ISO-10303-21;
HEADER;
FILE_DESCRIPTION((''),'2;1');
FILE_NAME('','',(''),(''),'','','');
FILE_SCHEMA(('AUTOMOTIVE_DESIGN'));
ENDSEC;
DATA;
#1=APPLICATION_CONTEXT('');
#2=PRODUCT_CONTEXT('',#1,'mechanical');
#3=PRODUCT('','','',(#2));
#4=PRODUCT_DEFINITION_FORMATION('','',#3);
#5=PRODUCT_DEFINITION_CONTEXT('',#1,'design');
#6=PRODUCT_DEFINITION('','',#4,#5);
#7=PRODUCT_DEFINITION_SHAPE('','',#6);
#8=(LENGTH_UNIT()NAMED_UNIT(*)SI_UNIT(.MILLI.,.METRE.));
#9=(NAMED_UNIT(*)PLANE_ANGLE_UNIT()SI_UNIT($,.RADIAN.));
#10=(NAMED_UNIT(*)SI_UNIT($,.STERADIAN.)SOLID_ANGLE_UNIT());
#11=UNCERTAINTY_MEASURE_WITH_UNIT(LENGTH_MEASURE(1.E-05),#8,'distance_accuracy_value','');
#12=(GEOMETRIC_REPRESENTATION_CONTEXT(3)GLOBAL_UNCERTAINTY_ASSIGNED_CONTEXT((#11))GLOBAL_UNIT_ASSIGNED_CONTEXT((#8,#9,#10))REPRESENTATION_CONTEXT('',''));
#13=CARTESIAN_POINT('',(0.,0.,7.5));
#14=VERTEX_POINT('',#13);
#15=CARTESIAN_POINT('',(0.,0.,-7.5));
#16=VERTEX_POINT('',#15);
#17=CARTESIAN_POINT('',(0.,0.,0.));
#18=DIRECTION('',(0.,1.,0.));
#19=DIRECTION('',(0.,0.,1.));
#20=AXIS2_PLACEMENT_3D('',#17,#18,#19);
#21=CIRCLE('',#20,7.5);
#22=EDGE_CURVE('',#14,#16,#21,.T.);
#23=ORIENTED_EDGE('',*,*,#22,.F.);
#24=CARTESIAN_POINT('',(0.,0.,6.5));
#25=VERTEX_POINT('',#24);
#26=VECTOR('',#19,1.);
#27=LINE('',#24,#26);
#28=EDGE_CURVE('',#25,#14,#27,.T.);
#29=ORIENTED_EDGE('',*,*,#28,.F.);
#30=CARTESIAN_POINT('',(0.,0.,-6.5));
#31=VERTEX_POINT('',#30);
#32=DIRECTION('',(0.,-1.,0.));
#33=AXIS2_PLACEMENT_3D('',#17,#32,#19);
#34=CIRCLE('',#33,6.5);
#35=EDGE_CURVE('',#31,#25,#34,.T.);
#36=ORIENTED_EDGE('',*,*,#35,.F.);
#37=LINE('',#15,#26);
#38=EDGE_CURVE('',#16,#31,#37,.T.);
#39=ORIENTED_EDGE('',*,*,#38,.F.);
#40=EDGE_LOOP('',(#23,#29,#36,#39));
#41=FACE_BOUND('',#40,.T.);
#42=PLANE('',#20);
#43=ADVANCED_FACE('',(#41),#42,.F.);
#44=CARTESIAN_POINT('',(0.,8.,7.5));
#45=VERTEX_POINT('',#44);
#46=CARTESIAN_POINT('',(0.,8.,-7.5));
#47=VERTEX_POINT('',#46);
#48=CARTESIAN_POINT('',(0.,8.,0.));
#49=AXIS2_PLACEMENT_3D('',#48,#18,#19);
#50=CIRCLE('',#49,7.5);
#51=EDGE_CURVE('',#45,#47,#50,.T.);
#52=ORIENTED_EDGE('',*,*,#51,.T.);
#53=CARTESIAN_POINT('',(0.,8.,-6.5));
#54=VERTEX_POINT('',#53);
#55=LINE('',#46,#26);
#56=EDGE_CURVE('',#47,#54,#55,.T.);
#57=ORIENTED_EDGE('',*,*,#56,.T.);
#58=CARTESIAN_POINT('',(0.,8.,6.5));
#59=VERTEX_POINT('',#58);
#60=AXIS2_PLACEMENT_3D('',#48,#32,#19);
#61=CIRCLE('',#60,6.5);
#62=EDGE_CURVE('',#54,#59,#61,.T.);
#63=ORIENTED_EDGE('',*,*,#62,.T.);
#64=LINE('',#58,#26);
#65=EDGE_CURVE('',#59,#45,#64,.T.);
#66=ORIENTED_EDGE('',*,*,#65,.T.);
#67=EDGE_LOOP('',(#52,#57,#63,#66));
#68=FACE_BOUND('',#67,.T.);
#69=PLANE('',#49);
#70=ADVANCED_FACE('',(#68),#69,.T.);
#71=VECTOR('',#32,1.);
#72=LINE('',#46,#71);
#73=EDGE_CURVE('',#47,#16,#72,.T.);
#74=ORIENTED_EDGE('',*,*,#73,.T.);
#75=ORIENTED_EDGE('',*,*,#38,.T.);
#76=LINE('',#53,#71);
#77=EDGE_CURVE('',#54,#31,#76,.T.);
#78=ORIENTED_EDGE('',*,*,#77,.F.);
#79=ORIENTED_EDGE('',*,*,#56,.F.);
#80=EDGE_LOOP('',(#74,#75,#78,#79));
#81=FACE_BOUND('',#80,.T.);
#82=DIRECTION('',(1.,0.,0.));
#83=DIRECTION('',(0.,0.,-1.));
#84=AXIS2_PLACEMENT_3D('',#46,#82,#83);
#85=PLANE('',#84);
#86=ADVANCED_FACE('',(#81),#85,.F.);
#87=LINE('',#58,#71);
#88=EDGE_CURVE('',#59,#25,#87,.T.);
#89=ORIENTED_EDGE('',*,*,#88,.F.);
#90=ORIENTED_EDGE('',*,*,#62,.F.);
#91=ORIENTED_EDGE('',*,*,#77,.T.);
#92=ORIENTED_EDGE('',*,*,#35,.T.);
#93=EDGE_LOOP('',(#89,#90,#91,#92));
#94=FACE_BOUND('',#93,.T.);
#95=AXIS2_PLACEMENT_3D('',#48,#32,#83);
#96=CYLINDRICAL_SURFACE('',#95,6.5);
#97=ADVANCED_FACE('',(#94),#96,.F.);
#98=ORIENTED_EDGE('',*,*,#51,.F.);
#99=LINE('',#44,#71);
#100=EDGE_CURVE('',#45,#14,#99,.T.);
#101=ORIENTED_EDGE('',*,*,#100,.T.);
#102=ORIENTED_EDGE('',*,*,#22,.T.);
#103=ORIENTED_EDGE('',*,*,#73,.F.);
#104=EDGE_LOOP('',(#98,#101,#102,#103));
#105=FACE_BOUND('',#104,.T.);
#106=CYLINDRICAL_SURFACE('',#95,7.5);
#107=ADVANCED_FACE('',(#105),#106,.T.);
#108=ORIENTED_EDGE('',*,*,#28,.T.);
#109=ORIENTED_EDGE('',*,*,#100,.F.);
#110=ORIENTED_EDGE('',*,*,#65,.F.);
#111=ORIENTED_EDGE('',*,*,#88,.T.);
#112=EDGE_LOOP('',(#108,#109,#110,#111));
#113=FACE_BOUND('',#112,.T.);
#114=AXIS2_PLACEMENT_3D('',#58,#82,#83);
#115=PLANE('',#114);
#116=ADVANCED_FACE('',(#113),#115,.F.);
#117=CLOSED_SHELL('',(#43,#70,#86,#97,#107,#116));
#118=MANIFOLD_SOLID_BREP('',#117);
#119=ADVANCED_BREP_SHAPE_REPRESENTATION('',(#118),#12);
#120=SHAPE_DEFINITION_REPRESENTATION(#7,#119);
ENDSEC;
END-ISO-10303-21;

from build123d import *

# Parameters (mm, degrees)
BOSS_EXTRUDE1_DEPTH = 8


with BuildPart() as part:
    # Sketch1 → Boss-Extrude1 (new body)
    with BuildSketch(Plane(origin=(0, 0, 0), x_dir=(1, 0, 0), z_dir=(0, 1, 0))):
        with BuildLine():
            Line((0, 7.5), (0, 6.5))
            ThreePointArc((0, 6.5), (6.5, 0), (0, -6.5))
            Line((0, -6.5), (0, -7.5))
            ThreePointArc((0, -7.5), (7.5, 0), (0, 7.5))
        make_face()
    extrude(amount=BOSS_EXTRUDE1_DEPTH)


solid = part.part
